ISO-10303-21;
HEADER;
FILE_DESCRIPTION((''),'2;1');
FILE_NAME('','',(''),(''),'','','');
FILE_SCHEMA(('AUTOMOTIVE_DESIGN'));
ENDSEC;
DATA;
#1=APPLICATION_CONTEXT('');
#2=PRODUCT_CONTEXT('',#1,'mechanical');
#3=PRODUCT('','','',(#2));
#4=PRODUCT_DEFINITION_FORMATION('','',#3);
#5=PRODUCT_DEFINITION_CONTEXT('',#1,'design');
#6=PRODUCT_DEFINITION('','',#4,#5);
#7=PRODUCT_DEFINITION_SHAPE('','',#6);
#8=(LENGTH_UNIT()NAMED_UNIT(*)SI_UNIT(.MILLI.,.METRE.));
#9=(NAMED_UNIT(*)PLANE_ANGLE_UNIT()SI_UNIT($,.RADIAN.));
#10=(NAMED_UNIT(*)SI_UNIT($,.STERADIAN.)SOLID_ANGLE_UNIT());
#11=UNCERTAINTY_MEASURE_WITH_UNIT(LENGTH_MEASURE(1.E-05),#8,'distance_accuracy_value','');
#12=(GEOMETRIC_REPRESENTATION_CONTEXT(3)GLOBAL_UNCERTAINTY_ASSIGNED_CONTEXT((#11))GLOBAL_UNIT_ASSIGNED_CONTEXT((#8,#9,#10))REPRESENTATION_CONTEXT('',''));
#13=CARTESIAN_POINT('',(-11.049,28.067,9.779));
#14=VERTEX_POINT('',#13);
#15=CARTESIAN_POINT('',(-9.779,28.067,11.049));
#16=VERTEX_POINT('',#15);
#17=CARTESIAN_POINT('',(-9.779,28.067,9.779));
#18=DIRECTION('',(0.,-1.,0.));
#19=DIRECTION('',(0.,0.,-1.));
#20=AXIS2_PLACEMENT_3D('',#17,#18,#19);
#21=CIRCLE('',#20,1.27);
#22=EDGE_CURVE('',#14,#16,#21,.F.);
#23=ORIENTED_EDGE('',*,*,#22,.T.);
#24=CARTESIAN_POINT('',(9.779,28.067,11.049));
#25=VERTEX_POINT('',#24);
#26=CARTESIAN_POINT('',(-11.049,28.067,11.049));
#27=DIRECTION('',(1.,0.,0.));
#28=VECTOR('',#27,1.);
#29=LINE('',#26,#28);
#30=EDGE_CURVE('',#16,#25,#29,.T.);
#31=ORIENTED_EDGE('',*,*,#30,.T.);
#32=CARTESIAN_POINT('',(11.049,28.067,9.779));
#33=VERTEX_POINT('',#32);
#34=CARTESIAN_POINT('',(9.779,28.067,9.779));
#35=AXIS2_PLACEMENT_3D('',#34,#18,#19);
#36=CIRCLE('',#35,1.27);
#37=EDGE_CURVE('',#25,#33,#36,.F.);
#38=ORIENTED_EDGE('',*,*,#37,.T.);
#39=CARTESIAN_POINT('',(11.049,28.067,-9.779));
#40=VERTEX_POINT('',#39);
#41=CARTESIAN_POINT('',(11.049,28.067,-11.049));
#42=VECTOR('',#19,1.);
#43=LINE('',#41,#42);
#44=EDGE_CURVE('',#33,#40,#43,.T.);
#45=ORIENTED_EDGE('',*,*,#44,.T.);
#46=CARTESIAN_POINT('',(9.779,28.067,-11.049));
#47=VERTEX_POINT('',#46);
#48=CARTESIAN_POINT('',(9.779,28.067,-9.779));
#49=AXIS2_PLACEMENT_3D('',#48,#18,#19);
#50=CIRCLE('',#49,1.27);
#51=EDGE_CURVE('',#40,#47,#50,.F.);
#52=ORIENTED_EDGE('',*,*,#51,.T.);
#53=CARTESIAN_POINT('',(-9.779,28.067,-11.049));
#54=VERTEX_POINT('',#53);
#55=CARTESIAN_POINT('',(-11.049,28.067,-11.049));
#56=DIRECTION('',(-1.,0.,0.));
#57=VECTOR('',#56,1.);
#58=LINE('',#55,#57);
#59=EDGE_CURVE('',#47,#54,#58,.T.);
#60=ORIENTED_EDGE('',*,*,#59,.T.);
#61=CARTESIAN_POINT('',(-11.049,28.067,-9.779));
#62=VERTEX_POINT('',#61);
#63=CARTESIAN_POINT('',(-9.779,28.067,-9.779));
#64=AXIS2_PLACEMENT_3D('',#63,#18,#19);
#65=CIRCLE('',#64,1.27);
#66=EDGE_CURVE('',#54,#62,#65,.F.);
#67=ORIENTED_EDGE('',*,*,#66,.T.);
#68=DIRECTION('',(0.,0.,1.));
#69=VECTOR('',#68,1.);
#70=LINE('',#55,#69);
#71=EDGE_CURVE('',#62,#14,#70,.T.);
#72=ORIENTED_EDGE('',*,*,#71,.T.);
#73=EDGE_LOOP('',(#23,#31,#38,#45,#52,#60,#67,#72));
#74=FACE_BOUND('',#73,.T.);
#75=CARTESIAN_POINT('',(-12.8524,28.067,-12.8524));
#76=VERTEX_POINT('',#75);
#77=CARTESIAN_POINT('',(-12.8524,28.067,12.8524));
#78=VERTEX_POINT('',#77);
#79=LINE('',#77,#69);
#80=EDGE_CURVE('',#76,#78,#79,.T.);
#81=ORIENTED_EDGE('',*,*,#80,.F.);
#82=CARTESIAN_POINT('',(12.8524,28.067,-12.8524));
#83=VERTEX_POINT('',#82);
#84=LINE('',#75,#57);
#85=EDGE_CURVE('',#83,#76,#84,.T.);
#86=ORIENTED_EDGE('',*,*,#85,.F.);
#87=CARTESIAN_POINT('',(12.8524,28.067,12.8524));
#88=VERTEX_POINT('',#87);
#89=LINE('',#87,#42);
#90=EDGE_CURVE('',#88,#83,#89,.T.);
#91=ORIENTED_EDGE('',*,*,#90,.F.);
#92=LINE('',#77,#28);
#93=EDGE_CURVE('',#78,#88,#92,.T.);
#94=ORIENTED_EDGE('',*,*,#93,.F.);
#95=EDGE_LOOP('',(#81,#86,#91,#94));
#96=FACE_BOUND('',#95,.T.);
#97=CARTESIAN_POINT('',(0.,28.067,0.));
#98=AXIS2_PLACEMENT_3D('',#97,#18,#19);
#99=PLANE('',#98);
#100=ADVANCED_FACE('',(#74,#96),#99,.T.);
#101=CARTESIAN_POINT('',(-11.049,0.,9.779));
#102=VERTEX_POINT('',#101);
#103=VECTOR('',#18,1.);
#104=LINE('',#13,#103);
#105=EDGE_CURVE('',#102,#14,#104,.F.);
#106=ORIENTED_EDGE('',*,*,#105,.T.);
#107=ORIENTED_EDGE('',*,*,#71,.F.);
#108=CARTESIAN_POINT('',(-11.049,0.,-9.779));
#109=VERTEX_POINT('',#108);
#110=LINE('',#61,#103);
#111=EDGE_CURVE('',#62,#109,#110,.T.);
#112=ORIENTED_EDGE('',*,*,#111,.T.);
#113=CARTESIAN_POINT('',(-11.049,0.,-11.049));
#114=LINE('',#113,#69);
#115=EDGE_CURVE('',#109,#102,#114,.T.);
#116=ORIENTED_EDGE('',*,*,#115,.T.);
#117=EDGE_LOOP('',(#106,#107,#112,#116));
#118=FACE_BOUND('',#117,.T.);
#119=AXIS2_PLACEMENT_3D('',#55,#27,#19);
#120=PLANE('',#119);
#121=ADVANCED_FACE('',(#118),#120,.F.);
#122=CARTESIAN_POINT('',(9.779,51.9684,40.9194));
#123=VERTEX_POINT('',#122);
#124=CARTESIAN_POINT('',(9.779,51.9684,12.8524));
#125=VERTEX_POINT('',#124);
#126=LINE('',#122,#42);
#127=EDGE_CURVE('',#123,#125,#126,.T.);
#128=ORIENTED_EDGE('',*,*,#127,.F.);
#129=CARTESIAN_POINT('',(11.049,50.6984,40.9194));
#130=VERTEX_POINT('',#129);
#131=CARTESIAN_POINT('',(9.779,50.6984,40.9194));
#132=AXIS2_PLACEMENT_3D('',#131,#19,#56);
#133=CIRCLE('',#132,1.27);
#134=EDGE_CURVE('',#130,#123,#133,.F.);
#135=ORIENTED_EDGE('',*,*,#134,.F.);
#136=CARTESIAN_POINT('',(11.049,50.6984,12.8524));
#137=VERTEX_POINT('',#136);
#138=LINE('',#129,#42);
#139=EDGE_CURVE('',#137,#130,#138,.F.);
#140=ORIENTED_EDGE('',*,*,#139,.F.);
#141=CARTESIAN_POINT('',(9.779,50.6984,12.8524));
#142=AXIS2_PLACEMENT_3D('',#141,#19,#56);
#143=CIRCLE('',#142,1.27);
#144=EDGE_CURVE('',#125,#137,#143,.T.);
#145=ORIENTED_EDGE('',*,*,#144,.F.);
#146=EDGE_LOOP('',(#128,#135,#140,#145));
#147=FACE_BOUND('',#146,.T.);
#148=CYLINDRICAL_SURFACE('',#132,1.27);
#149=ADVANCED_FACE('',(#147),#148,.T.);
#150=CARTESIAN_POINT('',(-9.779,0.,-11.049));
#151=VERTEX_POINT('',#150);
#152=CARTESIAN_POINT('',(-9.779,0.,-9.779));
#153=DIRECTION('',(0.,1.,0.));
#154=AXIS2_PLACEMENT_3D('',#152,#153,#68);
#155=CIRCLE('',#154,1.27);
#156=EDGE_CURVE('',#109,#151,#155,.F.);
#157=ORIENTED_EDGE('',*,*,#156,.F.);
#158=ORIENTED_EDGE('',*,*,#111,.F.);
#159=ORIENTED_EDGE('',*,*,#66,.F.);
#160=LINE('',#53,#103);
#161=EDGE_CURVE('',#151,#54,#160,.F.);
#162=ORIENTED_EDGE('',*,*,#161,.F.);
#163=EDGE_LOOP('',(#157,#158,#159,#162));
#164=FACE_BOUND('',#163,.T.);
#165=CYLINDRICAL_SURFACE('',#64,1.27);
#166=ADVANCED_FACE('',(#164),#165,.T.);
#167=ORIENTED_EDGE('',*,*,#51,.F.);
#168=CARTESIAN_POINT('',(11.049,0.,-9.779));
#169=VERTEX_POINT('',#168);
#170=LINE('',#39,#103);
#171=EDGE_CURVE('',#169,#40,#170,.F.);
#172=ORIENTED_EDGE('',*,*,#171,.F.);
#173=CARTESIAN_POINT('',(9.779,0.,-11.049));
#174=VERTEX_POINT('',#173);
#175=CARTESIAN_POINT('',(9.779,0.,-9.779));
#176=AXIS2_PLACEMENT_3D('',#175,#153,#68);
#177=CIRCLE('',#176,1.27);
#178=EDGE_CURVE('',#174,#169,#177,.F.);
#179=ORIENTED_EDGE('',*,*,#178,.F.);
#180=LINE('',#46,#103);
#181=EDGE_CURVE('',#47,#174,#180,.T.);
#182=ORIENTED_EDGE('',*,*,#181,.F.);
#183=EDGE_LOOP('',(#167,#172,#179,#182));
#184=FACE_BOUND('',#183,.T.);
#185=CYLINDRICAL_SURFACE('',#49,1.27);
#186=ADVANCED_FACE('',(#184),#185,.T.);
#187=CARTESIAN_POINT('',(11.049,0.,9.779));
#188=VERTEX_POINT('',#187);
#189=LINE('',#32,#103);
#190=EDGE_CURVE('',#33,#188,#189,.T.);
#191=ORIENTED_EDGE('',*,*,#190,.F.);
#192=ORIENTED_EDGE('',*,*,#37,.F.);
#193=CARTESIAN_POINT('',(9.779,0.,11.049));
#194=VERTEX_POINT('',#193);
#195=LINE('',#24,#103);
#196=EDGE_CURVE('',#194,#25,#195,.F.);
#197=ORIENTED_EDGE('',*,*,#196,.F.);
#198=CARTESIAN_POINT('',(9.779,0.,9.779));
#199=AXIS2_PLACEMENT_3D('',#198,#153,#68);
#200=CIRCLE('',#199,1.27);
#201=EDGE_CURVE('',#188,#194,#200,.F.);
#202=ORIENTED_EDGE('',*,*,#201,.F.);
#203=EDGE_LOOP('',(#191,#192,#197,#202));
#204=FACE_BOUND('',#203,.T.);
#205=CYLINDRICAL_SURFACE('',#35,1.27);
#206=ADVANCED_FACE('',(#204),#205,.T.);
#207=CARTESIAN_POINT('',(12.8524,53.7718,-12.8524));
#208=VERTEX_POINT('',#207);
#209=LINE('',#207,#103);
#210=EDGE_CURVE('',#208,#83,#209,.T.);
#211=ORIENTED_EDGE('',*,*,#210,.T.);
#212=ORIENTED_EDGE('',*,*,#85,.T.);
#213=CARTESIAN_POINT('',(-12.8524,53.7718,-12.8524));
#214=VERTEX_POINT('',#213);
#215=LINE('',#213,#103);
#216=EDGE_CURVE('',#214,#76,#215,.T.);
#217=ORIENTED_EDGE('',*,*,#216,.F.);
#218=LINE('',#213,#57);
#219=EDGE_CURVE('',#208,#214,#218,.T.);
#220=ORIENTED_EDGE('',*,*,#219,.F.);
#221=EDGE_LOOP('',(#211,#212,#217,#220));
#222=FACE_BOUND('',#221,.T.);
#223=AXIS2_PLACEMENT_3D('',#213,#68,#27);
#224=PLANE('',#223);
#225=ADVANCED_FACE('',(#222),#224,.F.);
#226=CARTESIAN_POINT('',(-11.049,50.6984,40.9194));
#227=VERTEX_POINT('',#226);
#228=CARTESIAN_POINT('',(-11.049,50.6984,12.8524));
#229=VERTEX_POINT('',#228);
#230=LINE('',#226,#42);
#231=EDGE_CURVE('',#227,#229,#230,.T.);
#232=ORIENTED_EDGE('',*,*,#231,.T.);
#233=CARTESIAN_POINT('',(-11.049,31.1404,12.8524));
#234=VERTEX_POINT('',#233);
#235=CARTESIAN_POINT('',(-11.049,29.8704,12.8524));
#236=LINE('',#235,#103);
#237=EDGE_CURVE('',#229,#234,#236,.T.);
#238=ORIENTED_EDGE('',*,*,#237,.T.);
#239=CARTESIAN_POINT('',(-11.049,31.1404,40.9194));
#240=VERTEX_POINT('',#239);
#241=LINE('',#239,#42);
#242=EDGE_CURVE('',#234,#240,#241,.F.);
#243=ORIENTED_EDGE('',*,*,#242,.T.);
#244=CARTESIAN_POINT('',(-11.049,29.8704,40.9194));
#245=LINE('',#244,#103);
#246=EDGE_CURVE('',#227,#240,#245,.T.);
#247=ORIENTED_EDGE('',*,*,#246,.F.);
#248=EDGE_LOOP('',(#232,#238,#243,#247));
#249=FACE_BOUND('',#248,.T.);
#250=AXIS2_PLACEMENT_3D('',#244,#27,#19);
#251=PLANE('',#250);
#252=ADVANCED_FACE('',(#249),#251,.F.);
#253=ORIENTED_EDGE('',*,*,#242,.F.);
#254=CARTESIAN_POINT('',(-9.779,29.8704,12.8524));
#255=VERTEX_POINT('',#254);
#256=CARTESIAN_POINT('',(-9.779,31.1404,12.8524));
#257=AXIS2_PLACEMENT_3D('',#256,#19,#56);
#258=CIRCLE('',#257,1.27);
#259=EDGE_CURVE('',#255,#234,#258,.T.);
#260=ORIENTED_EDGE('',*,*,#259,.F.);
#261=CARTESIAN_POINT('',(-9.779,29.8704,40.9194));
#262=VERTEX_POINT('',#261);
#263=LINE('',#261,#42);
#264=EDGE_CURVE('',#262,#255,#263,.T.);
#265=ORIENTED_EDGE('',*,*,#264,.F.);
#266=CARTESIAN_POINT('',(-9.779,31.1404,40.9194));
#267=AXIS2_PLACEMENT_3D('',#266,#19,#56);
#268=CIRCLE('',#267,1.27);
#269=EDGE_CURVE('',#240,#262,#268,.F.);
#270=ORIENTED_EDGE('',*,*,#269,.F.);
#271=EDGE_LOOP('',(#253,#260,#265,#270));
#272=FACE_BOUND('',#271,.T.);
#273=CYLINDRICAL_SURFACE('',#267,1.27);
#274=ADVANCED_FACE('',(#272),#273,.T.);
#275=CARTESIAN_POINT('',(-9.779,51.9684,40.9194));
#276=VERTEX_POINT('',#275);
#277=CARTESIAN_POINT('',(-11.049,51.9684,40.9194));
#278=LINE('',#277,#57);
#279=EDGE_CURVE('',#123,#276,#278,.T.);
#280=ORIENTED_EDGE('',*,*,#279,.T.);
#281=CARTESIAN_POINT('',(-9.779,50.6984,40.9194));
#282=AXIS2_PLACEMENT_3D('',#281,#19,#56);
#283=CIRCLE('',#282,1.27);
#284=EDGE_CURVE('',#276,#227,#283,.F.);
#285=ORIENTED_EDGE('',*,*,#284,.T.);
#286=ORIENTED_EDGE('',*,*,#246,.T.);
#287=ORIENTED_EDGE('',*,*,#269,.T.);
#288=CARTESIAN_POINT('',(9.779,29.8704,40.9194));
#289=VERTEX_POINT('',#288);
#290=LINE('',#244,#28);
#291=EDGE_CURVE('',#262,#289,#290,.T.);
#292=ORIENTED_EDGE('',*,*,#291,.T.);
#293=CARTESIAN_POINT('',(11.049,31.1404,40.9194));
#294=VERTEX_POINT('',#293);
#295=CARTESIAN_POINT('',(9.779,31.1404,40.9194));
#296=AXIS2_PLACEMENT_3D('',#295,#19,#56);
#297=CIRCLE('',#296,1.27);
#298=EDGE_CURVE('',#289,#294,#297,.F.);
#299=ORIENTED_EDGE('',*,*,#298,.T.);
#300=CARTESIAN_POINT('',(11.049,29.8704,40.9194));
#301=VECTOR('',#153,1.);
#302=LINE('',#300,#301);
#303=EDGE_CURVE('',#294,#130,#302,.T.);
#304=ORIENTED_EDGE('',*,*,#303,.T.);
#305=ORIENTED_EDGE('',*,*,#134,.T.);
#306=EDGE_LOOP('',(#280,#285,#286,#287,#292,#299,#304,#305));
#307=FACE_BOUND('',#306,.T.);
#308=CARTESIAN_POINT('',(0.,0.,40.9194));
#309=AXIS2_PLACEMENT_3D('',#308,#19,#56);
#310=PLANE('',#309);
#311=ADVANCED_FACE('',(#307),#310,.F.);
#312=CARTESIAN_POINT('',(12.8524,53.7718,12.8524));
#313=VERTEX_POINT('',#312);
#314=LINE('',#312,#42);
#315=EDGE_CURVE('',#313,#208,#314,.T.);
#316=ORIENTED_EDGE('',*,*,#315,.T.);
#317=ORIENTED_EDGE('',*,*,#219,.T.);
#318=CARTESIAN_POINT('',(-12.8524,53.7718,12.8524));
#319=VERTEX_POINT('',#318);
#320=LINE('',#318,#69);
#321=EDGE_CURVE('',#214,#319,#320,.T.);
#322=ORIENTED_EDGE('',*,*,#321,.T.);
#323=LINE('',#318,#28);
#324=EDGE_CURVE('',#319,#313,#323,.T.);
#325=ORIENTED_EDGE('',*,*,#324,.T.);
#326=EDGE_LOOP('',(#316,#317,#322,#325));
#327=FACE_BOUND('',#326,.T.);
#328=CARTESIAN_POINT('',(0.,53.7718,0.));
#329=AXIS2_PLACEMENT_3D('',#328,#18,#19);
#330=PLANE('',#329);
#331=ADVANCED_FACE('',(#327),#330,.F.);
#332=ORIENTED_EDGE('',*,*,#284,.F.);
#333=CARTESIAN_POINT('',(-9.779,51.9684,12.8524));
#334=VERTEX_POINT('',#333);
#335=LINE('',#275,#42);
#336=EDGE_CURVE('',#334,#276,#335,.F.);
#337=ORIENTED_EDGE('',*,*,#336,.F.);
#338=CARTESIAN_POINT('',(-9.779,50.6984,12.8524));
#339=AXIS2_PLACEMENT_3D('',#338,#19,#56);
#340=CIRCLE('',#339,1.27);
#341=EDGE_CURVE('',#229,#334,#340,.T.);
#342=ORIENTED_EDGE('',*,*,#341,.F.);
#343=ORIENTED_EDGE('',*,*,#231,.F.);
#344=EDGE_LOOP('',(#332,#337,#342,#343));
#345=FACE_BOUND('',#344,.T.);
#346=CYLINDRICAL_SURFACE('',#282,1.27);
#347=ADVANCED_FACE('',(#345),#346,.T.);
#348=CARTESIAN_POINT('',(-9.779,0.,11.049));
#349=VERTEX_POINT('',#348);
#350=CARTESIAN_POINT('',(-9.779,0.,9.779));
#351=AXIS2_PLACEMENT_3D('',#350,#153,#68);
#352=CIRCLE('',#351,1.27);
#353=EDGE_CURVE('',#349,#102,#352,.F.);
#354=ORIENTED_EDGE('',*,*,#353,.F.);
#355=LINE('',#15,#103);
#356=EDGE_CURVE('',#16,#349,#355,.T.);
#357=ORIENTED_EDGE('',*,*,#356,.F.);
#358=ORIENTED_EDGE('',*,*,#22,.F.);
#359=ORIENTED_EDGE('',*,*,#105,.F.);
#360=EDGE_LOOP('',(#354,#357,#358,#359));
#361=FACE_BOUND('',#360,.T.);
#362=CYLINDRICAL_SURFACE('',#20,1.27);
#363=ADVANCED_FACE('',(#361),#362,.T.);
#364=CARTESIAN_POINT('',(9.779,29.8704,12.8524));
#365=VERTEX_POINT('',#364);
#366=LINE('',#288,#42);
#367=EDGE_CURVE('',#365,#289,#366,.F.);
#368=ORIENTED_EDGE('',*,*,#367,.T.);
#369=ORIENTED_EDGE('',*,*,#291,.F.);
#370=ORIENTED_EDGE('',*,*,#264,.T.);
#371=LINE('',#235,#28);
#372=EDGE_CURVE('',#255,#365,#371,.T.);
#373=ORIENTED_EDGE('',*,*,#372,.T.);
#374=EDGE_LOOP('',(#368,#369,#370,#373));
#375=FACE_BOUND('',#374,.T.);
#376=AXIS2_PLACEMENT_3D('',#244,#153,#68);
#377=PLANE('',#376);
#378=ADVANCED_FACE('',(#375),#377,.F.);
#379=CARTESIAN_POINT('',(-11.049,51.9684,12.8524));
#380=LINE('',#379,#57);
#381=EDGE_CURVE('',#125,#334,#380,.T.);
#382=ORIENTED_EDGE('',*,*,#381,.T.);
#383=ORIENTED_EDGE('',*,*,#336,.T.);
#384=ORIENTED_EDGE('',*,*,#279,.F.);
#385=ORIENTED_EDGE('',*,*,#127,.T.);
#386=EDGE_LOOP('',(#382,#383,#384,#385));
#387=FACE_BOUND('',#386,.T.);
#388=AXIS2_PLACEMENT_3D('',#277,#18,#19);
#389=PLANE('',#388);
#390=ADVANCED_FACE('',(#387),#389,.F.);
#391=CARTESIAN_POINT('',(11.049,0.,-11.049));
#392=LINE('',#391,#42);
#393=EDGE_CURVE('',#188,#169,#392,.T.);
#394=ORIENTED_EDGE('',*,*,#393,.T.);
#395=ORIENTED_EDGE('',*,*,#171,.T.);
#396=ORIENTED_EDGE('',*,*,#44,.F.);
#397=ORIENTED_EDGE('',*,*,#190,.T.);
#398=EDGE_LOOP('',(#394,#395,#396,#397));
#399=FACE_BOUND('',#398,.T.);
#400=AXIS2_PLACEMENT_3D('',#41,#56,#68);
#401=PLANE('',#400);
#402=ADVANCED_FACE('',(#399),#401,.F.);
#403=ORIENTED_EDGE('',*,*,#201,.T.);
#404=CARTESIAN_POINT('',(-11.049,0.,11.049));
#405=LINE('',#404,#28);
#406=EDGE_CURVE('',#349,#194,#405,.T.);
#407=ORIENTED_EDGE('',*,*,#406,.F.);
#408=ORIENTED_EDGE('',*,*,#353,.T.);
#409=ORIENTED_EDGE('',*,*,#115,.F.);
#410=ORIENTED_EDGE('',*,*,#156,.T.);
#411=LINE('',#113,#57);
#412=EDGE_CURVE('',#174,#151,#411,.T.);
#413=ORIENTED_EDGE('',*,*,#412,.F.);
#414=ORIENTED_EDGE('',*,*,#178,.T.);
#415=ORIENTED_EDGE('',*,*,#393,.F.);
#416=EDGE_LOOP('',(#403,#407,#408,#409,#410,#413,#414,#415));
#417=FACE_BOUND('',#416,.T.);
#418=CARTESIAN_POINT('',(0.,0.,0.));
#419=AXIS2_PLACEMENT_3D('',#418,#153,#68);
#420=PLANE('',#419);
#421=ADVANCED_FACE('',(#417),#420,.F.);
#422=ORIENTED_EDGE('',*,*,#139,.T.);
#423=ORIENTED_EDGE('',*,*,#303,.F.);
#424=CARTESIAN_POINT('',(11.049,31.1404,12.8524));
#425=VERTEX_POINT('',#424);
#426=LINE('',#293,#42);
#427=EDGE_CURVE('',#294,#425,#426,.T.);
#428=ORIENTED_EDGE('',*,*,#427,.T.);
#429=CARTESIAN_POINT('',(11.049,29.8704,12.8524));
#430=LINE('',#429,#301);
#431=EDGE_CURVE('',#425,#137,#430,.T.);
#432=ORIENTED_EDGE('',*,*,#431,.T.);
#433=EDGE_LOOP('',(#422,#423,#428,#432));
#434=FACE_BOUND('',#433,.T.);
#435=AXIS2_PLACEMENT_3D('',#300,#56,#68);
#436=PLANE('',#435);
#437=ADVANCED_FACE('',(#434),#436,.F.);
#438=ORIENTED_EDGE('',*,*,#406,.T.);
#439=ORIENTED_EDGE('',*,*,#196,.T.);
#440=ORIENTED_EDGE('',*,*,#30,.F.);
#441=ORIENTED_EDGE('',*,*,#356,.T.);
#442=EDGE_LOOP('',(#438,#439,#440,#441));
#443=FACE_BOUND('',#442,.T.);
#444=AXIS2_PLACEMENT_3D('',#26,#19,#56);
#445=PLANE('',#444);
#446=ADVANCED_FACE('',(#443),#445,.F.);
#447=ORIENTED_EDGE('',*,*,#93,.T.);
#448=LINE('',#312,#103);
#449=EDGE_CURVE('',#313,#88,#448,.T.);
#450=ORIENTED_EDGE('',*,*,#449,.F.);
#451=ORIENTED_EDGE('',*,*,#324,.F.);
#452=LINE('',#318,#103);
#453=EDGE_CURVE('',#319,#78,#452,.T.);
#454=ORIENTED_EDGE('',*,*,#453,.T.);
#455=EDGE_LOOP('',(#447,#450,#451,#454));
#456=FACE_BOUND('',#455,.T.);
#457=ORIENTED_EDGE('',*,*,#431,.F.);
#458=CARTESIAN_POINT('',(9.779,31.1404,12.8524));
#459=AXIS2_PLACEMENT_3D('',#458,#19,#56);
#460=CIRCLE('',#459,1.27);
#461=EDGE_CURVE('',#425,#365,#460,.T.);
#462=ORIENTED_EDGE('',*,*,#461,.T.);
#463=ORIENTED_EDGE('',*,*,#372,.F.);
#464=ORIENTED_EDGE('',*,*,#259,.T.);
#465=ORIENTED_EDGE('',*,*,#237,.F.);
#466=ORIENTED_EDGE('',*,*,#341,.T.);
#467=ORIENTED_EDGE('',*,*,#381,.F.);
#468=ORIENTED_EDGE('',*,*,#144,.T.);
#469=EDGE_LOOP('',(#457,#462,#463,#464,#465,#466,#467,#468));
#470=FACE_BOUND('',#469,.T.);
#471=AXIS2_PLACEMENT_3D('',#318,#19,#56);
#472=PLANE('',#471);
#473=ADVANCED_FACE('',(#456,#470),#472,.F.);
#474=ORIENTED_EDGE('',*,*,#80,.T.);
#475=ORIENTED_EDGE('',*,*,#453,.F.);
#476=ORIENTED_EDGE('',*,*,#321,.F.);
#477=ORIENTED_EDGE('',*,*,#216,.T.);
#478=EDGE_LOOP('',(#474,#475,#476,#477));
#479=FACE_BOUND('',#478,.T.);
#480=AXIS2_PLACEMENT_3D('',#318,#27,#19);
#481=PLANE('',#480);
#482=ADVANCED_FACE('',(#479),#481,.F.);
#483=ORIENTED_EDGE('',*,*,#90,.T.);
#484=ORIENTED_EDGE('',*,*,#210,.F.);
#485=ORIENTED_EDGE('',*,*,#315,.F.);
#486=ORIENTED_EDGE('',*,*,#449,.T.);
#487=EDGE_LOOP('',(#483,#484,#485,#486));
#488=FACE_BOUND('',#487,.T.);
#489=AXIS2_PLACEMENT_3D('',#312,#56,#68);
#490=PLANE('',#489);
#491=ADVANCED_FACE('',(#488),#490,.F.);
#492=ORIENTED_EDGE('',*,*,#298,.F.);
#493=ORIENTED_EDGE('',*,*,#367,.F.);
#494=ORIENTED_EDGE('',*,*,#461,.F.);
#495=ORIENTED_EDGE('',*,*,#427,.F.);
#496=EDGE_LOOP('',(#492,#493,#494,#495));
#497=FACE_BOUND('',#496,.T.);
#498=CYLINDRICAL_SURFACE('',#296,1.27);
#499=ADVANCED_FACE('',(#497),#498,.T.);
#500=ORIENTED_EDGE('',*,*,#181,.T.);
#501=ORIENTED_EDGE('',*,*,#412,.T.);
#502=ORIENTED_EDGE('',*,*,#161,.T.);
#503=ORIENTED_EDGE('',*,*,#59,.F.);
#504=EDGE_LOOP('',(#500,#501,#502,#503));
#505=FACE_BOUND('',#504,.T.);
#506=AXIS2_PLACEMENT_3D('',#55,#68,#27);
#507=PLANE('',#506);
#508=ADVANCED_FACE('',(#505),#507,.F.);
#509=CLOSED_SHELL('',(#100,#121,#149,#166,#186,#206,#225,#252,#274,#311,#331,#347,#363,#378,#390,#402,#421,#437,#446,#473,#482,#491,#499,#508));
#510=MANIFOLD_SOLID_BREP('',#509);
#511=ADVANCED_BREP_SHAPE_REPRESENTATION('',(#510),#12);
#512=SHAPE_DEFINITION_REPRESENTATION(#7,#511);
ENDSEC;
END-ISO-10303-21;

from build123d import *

# Parameters (mm, degrees)
SKETCH1_W           = 22.098
SKETCH1_H           = 22.098
BOSS_EXTRUDE1_DEPTH = 28.067
SKETCH2_W           = 25.7048
SKETCH2_H           = 25.7048
BOSS_EXTRUDE2_DEPTH = 25.7048
SKETCH3_W           = 22.098
SKETCH3_H           = 22.098
BOSS_EXTRUDE3_DEPTH = 28.067
FILLET1_R           = 1.27


with BuildPart() as part:
    # Sketch1 → Boss-Extrude1 (new body)
    with BuildSketch(Plane(origin=(0, 0, 0), x_dir=(1, 0, 0), z_dir=(0, 1, 0))):
        Rectangle(SKETCH1_W, SKETCH1_H)
    extrude(amount=BOSS_EXTRUDE1_DEPTH)

    # Sketch2 → Boss-Extrude2 (add)
    with BuildSketch(Plane(origin=(0, 28.067, 0), x_dir=(1, 0, 0), z_dir=(0, 1, 0))):
        Rectangle(SKETCH2_W, SKETCH2_H)
    extrude(amount=BOSS_EXTRUDE2_DEPTH)

    # Sketch3 → Boss-Extrude3 (add)
    with BuildSketch(Plane.XY.offset(12.8524)):
        with Locations((0, 40.9194)):
            Rectangle(SKETCH3_W, SKETCH3_H)
    extrude(amount=BOSS_EXTRUDE3_DEPTH)

    # Fillet1
    fillet1_edges = [part.edges().sort_by_distance(p)[0] for p in [
        (11.049, 29.8704, 26.8859),
        (11.049, 51.9684, 26.8859),
        (-11.049, 51.9684, 26.8859),
        (-11.049, 29.8704, 26.8859),
        (11.049, 14.0335, 11.049),
        (-11.049, 14.0335, 11.049),
        (-11.049, 14.0335, -11.049),
        (11.049, 14.0335, -11.049),
    ]]
    fillet(fillet1_edges, radius=FILLET1_R)


solid = part.part
